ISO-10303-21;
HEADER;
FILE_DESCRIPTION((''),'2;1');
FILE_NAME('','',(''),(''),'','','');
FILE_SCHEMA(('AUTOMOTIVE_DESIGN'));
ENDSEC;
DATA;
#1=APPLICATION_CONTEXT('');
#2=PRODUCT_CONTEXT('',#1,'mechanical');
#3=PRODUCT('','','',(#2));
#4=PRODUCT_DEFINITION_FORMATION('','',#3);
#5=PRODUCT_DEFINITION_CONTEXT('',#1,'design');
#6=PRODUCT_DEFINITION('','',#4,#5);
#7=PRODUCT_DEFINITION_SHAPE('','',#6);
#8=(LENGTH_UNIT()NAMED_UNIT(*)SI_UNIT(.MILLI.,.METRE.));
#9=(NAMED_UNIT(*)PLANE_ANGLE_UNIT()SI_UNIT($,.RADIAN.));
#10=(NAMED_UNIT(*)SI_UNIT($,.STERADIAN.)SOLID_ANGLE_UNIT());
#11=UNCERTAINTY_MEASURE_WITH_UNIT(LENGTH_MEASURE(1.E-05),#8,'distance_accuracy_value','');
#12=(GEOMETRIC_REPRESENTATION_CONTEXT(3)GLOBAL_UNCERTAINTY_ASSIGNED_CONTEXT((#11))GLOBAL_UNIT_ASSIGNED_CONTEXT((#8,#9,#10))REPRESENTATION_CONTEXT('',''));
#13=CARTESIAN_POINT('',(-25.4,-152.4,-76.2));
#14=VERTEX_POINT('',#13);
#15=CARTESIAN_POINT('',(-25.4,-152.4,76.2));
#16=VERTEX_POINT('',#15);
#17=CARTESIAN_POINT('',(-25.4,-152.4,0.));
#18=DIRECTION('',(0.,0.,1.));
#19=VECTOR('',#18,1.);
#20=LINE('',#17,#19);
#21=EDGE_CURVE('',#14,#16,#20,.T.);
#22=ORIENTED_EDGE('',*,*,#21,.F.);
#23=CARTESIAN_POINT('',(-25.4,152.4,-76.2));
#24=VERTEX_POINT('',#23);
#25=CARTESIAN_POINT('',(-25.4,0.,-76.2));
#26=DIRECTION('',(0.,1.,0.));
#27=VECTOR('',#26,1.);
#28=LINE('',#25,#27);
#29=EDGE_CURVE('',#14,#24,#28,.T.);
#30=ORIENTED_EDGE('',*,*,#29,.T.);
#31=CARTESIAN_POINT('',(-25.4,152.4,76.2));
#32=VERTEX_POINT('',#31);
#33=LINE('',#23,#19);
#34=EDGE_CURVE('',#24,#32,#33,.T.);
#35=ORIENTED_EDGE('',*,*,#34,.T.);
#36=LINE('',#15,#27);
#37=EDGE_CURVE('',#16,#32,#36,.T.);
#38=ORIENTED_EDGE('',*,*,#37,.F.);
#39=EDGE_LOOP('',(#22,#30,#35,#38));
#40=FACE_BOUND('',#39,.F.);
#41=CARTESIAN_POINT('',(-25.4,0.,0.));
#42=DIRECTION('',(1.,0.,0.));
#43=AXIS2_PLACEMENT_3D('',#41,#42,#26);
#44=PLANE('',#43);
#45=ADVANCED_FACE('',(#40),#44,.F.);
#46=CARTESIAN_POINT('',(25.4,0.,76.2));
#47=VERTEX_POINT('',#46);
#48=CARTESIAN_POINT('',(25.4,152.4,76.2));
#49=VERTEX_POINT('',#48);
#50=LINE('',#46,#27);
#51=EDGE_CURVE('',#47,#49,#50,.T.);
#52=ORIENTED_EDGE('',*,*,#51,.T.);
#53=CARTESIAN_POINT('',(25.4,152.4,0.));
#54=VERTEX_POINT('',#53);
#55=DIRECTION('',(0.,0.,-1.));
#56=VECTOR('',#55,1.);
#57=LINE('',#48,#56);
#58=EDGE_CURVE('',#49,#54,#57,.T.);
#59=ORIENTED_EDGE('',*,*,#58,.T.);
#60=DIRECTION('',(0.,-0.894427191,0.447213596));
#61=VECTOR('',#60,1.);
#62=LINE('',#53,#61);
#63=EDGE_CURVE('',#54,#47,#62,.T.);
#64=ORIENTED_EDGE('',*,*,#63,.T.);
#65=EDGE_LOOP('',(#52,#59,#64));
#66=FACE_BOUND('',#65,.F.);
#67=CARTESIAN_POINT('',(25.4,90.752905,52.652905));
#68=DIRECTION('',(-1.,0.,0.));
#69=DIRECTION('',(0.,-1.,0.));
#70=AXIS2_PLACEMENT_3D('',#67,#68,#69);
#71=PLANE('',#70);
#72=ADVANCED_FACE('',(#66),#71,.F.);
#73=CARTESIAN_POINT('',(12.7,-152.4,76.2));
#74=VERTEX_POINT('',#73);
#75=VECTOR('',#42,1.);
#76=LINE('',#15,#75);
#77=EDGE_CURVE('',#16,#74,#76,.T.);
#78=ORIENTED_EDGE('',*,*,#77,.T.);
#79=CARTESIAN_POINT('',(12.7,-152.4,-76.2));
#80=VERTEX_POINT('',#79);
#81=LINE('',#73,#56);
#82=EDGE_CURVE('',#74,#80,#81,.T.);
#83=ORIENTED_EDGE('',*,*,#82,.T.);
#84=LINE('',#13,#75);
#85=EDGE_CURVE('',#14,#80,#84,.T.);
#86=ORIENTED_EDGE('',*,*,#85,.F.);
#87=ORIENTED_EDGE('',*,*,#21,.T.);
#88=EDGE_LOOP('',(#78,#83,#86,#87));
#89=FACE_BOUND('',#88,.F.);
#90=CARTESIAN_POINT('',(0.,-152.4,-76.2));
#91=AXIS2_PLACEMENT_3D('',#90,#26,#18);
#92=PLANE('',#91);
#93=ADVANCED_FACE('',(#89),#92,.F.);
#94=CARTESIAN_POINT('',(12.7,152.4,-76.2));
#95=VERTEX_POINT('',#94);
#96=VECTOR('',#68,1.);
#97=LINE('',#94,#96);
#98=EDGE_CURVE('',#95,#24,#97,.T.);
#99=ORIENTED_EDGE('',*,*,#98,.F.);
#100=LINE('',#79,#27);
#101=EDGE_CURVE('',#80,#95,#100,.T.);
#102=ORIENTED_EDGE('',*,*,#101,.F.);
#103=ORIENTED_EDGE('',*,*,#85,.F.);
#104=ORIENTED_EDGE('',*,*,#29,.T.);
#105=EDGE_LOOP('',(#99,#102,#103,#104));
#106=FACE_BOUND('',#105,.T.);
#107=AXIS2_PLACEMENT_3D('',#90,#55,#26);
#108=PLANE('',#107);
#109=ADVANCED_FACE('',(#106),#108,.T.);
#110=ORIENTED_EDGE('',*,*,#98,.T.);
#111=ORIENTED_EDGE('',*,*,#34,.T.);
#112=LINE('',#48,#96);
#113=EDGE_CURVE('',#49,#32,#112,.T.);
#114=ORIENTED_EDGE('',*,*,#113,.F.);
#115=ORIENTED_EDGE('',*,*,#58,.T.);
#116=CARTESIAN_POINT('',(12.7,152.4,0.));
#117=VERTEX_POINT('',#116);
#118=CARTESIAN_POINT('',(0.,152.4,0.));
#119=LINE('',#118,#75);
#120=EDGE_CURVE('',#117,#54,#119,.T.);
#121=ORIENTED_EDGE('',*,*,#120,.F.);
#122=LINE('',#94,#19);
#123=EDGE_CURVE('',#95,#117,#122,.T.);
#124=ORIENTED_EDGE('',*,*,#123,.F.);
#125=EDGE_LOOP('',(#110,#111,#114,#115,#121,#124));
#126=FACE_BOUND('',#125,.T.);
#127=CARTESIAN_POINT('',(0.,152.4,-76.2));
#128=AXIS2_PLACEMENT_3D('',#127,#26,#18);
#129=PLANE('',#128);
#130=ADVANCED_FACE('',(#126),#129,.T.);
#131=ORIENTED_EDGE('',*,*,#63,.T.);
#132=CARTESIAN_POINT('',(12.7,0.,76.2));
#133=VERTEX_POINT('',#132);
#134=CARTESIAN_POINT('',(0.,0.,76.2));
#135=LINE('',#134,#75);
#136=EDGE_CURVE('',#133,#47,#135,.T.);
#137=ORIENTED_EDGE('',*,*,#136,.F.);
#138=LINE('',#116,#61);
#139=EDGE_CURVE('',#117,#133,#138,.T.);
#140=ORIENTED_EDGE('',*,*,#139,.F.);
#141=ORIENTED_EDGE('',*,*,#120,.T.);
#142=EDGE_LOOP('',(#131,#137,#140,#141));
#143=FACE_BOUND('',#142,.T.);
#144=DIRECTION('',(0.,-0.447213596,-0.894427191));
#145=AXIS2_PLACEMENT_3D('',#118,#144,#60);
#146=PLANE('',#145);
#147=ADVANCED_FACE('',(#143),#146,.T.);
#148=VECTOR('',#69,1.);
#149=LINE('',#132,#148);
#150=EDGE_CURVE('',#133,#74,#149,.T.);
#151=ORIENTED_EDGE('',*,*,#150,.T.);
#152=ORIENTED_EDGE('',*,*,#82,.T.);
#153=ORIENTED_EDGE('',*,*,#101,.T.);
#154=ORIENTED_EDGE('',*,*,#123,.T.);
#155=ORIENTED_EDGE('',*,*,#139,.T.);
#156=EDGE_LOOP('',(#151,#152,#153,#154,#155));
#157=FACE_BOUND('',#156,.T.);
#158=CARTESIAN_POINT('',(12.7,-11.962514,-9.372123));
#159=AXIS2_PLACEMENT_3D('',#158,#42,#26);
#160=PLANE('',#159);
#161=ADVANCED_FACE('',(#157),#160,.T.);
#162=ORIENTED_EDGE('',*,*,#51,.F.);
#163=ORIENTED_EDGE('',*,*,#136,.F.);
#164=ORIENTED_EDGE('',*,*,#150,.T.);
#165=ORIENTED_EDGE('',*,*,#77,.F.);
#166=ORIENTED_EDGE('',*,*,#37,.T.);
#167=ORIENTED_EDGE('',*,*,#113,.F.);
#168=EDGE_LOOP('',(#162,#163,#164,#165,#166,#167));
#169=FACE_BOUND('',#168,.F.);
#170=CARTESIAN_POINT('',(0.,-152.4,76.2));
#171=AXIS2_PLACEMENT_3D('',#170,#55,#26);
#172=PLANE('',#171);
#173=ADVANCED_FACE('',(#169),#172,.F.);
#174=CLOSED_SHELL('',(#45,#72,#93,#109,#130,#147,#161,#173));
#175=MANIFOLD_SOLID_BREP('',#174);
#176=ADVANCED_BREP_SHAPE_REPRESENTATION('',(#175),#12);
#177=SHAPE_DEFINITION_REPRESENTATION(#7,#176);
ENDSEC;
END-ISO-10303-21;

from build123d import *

# Parameters (mm, degrees)
F0_W     = 304.8
F0_H     = 152.4
F1_DEPTH = 6.35
F3_DEPTH = 6.35
F5_DEPTH = 25.399999693
F6_DEPTH = 25.4


with BuildPart() as f1:
    # F0 (on Right) → F1 (new body)
    with BuildSketch(Plane.YZ):
        Rectangle(F0_W, F0_H)
    extrude(amount=F1_DEPTH)

    # F2 (on face) → F3 (join)
    with BuildSketch(Plane.YZ.offset(6.35)):
        Polygon((-152.4, -76.2), (152.4, -76.2), (152.4, 0), (0, 76.2), (-152.4, 76.2), align=None)
    extrude(amount=F3_DEPTH)

    # F4 (on face) → F5 (join)
    with BuildSketch(Plane(origin=(0, 0, 0), x_dir=(0, -1, 0), z_dir=(-1, 0, 0))):
        Polygon((-152.4, 76.2), (-152.4, 0), (0, 76.2), align=None)
    extrude(amount=-F5_DEPTH)

    # F6 (add): a face of the model
    f6_faces = [f1.faces().sort_by_distance(p)[0] for p in [
        (0, 0, 0),
    ]]
    extrude(f6_faces, amount=F6_DEPTH)


solid = f1.part
